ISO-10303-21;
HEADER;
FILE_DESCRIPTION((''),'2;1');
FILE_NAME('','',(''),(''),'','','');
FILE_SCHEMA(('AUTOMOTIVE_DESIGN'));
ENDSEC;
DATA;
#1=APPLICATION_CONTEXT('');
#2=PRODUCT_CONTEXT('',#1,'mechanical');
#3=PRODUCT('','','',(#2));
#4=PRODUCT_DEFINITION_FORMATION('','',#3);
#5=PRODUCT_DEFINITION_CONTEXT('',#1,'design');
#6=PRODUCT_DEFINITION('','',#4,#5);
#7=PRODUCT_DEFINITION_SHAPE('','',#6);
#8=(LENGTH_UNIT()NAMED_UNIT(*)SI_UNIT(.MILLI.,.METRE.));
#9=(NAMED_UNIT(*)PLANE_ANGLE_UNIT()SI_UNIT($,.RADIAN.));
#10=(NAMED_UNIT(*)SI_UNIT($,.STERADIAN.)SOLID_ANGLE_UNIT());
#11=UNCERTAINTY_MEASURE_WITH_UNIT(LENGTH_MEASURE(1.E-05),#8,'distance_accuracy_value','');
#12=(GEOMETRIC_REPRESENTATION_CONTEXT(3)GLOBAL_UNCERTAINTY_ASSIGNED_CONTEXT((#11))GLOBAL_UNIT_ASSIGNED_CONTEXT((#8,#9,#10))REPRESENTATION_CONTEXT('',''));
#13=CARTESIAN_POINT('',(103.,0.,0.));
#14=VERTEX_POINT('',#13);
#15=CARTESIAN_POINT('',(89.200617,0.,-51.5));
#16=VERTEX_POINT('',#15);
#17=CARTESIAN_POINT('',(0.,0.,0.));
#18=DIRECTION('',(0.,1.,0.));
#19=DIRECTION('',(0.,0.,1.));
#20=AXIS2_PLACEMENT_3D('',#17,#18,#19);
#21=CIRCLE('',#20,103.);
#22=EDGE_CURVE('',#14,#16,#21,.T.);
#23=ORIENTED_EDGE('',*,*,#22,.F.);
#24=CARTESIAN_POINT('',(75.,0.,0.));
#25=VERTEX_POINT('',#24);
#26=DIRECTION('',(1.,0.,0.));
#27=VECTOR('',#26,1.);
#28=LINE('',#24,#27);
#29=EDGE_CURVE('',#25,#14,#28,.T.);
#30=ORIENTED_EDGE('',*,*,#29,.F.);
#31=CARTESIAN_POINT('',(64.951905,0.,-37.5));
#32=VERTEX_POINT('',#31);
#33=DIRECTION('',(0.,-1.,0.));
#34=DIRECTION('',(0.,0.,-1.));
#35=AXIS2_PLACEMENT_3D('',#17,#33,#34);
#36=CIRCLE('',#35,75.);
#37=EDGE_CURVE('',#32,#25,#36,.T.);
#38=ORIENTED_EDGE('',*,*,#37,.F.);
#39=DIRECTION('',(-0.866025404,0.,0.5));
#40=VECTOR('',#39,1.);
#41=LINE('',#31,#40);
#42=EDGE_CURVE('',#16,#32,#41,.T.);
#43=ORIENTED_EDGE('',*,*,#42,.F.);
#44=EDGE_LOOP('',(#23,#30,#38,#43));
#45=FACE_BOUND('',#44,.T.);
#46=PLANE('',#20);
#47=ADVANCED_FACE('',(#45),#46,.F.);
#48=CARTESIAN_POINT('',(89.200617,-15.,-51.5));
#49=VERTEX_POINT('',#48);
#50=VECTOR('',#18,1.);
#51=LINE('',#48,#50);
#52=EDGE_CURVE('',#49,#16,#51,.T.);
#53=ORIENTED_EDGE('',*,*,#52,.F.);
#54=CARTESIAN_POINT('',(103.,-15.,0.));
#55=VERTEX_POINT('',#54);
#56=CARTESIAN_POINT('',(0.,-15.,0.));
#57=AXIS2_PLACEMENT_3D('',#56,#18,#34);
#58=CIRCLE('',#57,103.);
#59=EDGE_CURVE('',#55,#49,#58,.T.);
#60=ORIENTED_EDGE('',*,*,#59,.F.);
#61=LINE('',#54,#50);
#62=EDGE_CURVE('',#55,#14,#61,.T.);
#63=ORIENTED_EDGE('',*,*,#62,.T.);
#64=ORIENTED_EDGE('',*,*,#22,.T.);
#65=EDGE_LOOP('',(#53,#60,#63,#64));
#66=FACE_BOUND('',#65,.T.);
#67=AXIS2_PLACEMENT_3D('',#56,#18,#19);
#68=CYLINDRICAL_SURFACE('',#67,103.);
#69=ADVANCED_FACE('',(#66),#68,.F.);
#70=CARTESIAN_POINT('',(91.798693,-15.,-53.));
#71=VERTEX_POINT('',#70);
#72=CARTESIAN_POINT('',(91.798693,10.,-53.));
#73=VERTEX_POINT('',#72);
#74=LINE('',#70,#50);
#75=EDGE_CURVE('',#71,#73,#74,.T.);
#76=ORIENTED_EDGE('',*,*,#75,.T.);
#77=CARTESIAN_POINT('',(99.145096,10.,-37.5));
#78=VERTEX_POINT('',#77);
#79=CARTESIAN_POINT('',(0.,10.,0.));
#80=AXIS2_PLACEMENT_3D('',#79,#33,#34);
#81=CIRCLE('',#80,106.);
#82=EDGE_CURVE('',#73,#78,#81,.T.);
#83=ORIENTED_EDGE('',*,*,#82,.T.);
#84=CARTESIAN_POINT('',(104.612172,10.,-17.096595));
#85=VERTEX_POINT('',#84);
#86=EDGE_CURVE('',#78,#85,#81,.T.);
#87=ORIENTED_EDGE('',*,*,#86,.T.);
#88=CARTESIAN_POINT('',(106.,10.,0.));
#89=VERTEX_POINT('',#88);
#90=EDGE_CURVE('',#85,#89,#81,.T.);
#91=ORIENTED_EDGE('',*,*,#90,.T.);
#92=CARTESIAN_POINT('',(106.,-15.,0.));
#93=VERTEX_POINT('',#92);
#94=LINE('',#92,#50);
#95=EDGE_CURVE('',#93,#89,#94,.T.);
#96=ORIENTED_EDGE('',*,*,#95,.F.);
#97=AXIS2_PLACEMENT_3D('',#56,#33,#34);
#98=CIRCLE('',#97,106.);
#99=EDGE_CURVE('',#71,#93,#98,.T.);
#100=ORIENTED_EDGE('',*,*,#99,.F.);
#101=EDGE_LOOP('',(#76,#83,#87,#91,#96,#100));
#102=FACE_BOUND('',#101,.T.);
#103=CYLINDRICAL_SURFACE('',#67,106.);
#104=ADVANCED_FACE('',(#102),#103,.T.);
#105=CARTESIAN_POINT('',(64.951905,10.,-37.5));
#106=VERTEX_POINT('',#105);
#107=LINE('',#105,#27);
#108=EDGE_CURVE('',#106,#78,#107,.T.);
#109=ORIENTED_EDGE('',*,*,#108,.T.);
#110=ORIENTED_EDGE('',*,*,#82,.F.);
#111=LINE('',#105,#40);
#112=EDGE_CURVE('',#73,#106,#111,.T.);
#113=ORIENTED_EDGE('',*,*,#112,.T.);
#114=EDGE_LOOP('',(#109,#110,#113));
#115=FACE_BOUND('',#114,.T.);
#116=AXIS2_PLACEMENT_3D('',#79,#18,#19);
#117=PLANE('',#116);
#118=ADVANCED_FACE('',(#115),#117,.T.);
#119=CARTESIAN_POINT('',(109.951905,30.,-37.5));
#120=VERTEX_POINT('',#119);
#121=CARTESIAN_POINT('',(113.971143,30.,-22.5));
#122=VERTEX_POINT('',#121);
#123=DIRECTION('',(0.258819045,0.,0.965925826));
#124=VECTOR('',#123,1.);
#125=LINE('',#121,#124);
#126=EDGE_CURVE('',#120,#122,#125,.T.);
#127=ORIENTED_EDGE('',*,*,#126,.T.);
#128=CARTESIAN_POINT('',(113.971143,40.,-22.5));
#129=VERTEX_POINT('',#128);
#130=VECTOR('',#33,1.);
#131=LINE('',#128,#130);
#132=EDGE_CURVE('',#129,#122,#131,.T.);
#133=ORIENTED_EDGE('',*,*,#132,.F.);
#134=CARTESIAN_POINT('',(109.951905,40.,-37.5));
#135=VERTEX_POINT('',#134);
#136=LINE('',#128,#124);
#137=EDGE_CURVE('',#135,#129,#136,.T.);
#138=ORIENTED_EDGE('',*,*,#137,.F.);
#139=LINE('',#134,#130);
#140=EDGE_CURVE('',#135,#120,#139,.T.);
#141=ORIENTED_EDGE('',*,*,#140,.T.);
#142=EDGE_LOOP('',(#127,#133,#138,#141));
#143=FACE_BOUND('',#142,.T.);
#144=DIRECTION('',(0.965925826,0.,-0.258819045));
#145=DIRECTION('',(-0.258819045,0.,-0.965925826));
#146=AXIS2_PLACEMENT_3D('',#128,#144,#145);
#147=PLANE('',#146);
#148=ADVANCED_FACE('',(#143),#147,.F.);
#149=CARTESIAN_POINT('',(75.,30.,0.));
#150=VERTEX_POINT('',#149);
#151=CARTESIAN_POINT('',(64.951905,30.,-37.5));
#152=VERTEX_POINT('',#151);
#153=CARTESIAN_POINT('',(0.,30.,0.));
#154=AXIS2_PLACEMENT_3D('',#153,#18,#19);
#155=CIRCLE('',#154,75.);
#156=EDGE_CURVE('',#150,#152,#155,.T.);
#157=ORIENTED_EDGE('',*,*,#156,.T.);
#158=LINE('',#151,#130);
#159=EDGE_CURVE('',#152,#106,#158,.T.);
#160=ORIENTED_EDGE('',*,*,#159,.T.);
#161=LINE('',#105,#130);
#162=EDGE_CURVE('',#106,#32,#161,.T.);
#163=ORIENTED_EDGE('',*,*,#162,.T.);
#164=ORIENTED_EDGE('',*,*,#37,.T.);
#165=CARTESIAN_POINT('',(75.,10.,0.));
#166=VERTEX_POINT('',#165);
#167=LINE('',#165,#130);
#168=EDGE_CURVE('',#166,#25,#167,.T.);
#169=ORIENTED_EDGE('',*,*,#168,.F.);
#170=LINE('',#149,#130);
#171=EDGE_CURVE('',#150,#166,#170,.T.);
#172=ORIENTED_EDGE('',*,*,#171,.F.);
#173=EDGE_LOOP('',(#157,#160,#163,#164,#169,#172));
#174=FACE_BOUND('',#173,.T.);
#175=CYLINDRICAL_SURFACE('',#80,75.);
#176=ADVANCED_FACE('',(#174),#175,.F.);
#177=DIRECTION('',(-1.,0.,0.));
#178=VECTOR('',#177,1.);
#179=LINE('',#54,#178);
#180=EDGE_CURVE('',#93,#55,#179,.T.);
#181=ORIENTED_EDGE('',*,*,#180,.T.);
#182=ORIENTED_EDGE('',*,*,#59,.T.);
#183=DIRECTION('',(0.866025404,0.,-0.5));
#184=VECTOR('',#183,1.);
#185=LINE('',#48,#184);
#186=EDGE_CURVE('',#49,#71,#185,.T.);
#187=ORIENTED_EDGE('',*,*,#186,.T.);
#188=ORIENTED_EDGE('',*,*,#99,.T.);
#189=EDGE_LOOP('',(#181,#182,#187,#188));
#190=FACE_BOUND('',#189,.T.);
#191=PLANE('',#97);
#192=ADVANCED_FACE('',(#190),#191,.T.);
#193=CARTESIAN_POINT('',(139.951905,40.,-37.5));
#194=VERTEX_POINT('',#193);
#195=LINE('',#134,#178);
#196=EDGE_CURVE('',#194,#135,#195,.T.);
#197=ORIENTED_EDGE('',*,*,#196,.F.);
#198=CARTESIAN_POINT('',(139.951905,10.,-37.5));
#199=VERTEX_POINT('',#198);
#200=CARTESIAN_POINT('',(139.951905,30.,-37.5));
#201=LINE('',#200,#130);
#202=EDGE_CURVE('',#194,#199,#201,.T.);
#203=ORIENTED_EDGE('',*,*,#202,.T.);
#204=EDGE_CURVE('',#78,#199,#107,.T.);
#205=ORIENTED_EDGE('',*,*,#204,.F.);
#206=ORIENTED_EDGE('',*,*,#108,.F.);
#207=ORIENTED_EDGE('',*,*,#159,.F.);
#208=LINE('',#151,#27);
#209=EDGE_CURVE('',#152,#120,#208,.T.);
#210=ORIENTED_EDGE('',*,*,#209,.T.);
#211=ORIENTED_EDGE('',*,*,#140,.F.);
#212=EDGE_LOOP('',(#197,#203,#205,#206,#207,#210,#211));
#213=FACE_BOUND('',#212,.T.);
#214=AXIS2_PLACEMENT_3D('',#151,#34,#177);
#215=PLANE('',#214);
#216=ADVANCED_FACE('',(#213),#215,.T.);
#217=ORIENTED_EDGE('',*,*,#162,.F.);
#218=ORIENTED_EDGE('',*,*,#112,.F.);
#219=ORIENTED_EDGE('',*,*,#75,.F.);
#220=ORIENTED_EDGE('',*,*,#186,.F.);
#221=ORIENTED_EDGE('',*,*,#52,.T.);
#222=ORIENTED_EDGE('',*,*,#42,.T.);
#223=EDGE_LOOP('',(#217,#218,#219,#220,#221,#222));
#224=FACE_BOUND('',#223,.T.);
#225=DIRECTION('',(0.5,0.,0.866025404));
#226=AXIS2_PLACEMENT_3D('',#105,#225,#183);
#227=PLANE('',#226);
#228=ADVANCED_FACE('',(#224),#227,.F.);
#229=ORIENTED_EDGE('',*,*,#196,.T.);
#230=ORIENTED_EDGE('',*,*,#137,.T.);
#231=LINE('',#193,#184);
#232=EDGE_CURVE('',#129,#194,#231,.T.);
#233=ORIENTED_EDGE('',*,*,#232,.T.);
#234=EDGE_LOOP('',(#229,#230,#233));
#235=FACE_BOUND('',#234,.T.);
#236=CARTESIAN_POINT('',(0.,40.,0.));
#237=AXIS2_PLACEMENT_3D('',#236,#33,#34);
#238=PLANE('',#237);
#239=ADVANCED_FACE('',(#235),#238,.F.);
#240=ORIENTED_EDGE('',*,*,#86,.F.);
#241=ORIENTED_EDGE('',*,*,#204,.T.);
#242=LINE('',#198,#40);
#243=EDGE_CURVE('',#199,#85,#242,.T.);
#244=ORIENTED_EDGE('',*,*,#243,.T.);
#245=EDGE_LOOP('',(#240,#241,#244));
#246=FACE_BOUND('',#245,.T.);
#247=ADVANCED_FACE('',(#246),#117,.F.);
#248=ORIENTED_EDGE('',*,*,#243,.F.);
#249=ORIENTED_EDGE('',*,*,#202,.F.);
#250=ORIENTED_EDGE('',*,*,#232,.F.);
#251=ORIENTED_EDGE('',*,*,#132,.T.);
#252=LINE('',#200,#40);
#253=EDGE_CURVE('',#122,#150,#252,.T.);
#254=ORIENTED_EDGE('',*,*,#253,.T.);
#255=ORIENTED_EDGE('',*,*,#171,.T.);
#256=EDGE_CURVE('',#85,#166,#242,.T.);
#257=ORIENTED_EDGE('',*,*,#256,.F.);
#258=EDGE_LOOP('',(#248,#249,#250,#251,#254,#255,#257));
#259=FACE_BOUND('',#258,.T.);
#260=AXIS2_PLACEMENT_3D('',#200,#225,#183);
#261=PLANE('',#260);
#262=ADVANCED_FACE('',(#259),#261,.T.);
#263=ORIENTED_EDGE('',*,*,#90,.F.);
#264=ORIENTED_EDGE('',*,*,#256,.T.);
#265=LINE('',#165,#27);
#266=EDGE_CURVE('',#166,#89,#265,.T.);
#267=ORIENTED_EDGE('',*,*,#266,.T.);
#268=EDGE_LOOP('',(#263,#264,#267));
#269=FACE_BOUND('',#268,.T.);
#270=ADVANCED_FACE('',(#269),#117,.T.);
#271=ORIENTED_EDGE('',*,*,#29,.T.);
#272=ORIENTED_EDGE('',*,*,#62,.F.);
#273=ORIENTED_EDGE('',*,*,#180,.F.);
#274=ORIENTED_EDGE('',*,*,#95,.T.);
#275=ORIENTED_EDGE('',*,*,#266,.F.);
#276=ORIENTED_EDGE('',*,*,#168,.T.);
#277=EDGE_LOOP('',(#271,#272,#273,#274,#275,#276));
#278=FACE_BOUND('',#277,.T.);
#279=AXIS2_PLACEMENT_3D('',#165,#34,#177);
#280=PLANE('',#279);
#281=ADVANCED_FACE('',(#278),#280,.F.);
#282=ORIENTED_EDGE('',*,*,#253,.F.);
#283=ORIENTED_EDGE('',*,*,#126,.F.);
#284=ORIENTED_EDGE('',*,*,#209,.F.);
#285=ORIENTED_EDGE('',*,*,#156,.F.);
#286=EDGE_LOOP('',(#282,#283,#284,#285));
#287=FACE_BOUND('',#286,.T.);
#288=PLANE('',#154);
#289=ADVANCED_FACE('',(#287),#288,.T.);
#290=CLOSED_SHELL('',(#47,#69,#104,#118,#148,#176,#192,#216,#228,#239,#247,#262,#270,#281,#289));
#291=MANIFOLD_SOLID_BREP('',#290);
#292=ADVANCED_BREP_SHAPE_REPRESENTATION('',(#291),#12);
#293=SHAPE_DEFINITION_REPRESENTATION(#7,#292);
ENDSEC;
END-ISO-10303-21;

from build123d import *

# Parameters (mm, degrees)
EXTRUDE_3_DEPTH = 10
EXTRUDE_4_DEPTH = 20
EXTRUDE_5_DEPTH = 10
EXTRUDE_START   = 25
EXTRUDE_6_DEPTH = 25


with BuildPart() as part:
    # 草图1 → 凸台-拉伸3 (new body)
    with BuildSketch(Plane(origin=(0, 0, 0), x_dir=(1, 0, 0), z_dir=(0, 1, 0))):
        with BuildLine():
            Line((64.951905284, 37.5), (89.20061659, 51.5))
            ThreePointArc((89.20061659, 51.5), (99.490360108, 26.658361646), (103, 0))
            Line((103, 0), (75, 0))
            ThreePointArc((75, 0), (72.444436972, 19.411428383), (64.951905284, 37.5))
        make_face()
    extrude(amount=EXTRUDE_3_DEPTH)

    # 草图5 → 凸台-拉伸4 (add)
    with BuildSketch(Plane(origin=(0, 10, 0), x_dir=(1, 0, 0), z_dir=(0, 1, 0))):
        with BuildLine():
            Line((64.951905284, 37.5), (139.951905284, 37.5))
            Line((139.951905284, 37.5), (75, 0))
            ThreePointArc((75, 0), (72.444436972, 19.411428383), (64.951905284, 37.5))
        make_face()
    extrude(amount=EXTRUDE_4_DEPTH)

    # 草图6 → 凸台-拉伸5 (add)
    with BuildSketch(Plane(origin=(0, 30, 0), x_dir=(1, 0, 0), z_dir=(0, 1, 0))):
        Polygon((109.951905284, 37.5), (139.951905284, 37.5), (113.97114317, 22.5), align=None)
    extrude(amount=EXTRUDE_5_DEPTH)

    # 草图7 → 凸台-拉伸6 (add)
    with BuildSketch(Plane.XZ.offset(-10).offset(EXTRUDE_START)):
        with BuildLine():
            Line((89.20061659, -51.5), (91.798692801, -53))
            ThreePointArc((91.798692801, -53), (102.388137587, -27.434818781), (106, 0))
            Line((106, 0), (103, 0))
            ThreePointArc((103, 0), (99.490360108, -26.658361646), (89.20061659, -51.5))
        make_face()
    extrude(amount=-EXTRUDE_6_DEPTH)


solid = part.part
